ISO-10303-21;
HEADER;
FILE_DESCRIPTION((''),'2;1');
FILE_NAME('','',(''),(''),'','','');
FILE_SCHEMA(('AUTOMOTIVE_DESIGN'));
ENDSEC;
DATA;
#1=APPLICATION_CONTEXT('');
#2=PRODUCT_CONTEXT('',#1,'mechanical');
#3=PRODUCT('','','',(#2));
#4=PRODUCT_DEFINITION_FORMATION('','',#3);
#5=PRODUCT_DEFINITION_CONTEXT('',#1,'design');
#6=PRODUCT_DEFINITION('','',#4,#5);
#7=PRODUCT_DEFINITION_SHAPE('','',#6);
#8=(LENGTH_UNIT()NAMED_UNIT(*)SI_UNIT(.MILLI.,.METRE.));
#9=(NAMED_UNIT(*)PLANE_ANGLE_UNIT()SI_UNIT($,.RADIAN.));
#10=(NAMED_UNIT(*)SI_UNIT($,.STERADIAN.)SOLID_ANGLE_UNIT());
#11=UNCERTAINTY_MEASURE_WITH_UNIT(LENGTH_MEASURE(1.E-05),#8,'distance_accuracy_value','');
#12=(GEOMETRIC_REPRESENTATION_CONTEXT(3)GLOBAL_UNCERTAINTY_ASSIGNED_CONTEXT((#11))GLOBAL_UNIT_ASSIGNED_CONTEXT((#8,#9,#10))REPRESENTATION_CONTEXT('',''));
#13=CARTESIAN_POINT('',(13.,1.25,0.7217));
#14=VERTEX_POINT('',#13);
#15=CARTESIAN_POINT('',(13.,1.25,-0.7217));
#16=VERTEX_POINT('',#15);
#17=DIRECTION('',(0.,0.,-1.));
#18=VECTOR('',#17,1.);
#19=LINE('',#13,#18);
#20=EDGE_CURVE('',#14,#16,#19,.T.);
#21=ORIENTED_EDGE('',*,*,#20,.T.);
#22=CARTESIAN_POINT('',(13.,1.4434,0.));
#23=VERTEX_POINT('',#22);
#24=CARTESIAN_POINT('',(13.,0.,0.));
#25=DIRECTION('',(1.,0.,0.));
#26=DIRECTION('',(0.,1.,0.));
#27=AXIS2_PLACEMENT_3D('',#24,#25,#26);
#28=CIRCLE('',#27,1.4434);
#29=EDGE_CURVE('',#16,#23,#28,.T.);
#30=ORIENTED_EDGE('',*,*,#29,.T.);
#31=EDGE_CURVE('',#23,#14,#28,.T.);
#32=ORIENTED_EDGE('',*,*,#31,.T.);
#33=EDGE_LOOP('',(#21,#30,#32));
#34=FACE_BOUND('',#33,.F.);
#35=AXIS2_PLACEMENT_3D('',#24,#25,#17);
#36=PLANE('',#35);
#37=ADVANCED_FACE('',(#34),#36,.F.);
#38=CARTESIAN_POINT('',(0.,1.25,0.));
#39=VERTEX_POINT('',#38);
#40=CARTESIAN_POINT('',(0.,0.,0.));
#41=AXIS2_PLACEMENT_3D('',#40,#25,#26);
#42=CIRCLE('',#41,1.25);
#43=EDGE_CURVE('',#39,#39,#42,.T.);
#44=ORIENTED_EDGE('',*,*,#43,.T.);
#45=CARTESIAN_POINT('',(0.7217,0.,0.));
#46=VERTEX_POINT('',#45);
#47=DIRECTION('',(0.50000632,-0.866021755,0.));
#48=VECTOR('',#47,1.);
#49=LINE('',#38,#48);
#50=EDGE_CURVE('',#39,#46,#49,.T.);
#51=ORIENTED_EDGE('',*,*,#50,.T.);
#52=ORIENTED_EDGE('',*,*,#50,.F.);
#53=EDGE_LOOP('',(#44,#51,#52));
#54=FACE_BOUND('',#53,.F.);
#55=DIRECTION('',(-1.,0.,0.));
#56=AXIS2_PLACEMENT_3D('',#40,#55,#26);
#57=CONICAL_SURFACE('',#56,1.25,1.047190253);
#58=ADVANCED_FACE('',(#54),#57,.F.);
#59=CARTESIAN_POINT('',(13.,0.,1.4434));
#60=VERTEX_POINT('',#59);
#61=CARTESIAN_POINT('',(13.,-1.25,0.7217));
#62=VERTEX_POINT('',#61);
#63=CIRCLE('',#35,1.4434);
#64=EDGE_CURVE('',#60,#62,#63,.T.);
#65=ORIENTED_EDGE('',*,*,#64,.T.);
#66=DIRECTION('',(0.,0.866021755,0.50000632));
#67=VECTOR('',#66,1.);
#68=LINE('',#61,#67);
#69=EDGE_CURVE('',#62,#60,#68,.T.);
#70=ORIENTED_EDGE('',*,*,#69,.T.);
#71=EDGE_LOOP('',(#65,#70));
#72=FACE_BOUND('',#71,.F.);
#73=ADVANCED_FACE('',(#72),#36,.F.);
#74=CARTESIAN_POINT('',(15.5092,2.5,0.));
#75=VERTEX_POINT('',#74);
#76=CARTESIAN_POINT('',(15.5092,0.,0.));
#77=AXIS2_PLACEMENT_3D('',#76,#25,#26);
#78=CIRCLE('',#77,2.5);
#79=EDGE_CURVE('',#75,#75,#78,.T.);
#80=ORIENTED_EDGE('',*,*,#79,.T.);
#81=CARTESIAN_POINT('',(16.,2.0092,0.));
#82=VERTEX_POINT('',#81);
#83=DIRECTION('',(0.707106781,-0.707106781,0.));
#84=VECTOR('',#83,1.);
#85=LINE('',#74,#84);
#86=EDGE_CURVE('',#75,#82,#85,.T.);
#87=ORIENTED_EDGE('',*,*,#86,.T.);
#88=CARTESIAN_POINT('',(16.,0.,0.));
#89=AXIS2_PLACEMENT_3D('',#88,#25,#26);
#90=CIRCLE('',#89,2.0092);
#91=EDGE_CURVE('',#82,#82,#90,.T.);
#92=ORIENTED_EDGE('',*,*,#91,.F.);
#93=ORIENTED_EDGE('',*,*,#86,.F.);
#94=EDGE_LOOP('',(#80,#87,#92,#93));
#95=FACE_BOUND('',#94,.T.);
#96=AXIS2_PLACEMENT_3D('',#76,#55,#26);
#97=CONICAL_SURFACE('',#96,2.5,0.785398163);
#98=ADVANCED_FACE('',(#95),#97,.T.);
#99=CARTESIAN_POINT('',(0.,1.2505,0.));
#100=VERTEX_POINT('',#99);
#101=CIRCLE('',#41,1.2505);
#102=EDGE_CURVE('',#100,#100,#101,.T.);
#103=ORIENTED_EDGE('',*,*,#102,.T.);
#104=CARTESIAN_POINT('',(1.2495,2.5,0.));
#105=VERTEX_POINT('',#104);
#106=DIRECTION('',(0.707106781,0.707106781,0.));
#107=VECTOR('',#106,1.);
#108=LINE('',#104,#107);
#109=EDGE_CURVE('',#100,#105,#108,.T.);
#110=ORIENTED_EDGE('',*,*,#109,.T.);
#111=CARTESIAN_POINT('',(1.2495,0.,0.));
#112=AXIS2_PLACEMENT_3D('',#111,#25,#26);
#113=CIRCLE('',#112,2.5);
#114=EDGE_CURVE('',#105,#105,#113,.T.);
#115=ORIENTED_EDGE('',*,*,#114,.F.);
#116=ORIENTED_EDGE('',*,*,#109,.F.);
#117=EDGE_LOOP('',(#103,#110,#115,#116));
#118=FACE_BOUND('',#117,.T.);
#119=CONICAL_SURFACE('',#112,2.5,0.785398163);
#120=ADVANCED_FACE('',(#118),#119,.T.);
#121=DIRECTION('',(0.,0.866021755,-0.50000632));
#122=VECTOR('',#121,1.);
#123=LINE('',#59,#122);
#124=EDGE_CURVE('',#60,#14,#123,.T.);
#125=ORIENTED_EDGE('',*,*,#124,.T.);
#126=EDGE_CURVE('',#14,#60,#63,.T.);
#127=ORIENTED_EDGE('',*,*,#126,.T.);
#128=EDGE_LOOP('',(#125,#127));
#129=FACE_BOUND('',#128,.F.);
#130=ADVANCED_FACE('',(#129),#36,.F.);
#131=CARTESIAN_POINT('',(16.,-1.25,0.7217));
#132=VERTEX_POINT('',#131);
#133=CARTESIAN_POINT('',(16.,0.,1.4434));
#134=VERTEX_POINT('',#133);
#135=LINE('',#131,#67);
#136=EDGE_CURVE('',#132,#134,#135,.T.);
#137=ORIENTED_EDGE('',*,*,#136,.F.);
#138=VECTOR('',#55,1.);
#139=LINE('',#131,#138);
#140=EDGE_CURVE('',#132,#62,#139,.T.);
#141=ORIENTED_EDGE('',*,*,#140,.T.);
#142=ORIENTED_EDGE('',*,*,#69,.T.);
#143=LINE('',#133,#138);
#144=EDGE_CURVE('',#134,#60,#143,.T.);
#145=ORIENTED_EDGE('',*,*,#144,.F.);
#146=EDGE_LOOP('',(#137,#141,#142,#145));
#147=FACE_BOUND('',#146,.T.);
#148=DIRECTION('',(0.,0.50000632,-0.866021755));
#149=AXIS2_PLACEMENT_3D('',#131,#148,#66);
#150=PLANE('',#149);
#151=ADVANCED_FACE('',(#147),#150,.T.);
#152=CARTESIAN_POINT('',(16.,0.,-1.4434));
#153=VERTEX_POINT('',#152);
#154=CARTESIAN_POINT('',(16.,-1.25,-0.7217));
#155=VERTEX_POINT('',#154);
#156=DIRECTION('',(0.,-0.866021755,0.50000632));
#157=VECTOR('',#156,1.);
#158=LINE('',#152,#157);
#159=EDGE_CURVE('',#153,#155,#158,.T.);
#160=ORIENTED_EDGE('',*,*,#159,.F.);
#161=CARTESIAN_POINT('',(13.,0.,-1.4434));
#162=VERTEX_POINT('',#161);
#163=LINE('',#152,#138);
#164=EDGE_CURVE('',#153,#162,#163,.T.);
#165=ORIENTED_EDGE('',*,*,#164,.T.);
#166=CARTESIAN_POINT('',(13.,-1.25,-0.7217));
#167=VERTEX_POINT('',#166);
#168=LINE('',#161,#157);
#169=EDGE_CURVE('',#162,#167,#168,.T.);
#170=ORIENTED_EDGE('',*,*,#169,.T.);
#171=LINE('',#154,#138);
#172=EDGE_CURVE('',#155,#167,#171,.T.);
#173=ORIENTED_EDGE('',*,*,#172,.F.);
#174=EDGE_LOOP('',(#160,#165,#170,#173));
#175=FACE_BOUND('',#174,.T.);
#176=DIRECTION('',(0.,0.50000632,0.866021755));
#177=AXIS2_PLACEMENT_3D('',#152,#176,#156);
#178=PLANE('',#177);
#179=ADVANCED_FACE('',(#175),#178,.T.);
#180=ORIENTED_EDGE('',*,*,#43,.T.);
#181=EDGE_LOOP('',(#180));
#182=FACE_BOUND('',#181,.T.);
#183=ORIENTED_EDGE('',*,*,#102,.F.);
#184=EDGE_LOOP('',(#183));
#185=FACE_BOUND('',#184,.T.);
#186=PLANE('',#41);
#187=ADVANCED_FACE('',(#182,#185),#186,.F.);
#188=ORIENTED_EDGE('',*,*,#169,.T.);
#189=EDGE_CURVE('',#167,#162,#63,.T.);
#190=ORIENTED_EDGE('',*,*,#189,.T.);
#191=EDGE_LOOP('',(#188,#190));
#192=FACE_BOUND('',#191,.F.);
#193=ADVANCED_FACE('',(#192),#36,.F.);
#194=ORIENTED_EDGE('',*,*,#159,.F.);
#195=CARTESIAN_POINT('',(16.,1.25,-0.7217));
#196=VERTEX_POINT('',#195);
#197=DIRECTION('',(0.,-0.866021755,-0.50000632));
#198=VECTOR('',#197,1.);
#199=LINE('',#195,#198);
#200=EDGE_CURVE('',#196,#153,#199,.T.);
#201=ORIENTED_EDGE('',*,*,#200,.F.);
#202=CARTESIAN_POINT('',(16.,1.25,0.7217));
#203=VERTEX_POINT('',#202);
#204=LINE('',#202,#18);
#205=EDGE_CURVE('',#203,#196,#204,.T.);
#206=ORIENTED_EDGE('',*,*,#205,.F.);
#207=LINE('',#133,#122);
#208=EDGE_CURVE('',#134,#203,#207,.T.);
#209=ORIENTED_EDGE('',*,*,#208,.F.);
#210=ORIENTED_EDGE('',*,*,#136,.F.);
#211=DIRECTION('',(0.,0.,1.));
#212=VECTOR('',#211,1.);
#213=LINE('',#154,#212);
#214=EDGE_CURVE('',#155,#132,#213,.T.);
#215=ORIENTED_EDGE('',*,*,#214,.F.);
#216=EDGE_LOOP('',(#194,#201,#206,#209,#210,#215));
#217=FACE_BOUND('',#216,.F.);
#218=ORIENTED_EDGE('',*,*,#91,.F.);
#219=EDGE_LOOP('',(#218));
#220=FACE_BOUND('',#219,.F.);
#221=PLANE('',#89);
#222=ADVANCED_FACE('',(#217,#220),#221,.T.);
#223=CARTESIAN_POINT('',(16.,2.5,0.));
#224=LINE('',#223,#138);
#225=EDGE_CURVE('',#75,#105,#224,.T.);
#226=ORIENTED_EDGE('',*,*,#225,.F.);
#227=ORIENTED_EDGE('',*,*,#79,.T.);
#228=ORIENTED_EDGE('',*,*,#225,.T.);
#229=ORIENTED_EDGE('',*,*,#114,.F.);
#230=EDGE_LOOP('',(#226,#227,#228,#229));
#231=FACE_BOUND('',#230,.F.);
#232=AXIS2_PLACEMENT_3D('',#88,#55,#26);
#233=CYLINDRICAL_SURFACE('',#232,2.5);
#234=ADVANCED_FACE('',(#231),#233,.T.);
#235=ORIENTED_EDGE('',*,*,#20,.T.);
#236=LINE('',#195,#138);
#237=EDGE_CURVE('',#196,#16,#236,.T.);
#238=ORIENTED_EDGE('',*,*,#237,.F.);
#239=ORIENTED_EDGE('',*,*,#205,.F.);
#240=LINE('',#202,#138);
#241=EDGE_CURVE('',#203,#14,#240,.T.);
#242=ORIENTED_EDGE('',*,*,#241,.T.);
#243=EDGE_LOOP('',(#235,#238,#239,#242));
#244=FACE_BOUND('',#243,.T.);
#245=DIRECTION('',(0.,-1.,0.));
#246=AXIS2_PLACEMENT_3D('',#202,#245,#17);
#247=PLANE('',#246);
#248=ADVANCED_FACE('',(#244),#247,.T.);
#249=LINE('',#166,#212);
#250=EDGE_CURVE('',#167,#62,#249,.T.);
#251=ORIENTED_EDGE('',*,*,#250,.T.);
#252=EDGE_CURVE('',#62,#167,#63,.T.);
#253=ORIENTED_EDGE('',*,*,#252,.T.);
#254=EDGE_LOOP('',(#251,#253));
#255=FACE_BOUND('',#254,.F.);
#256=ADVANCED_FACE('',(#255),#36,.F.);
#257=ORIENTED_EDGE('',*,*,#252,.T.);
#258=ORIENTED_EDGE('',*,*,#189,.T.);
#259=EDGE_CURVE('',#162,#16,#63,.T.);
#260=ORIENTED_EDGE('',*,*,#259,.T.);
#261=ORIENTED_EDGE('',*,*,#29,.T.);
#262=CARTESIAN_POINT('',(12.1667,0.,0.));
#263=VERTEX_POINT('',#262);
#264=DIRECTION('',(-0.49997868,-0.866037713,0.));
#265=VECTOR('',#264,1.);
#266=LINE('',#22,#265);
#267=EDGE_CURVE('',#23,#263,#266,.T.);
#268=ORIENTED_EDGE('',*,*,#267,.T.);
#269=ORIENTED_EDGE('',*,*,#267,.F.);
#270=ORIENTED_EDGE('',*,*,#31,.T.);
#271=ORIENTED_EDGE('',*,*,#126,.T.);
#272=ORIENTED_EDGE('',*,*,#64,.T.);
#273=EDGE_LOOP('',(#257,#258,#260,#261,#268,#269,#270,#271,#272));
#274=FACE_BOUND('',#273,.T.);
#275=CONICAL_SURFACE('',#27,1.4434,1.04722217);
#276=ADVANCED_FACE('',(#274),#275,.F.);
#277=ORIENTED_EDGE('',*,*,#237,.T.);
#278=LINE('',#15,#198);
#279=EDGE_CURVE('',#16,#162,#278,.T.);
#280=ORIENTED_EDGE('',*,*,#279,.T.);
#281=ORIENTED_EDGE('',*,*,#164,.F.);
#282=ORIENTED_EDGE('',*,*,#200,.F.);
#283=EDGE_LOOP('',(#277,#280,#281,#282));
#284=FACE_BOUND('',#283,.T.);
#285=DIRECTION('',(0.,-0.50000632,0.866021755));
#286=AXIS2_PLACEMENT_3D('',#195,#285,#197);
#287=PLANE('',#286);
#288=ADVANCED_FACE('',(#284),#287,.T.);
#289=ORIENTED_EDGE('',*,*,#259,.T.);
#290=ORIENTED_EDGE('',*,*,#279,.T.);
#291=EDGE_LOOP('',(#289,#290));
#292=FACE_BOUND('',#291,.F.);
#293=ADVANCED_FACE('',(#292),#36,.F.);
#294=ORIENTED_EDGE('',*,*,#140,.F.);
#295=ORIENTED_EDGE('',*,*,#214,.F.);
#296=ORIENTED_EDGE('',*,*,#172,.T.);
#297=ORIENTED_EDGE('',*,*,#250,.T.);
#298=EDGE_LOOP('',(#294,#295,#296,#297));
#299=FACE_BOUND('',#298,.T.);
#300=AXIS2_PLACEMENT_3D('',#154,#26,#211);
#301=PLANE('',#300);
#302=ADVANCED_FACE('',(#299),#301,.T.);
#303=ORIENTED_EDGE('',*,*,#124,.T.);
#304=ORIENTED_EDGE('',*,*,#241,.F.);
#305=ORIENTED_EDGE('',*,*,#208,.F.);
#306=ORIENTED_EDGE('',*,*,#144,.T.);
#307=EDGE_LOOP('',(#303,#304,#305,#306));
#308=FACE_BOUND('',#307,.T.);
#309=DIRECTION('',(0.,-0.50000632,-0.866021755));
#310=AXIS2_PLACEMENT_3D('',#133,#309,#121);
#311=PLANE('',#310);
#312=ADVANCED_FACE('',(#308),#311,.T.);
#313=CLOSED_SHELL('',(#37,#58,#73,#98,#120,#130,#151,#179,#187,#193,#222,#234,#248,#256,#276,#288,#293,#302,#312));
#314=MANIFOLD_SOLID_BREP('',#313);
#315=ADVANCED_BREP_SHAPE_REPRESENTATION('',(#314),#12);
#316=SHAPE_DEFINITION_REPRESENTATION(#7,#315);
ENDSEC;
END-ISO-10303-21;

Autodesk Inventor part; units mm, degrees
ref_plane "YZ Plane" through (0, 0, 0) normal (1, 0, 0) x (0, 1, 0)
ref_plane "XZ Plane" through (0, 0, 0) normal (0, 1, 0) x (-1, 0, 0)
sketch "Skizze1" plane through (0, 0, 0) normal (0, 0, 1) x (1, 0, 0)
  line L0 (0.7217, 0) -> (12.1667, 0)
  line L1 (16, 1.4434) -> (16, 2.5)
  line L2 (16, 2.5) -> (0, 2.5)
  line L3 (16, 1.4434) -> (13, 1.4434)
  line L4 (13, 1.4434) -> (12.1667, 0)
  line L5 (0, 1.25) -> (0.7217, 0)
  line L6 (0, -0.5) -> (0, 3) projected
  line L7 (0, 1.25) -> (0, 2.5)
  point P0 (0, 0)
  dimension "d0" = 3
  dimension "d1" = 60
  dimension "d2" = 5
  dimension "d3" = 2.8868
  dimension "d4" = 16
  dimension "d5" = 60
  dimension "d7" = 2.5
revolve "Körper" add sketch "Skizze1" angle 360 about axis through (0.7217, 0, 0) along (1, 0, 0)
sketch "Skizze2" plane through (16, 0, 0) normal (1, 0, 0) x (0, 0, -1)
  circle A0 centre (0, 0) radius 1.4434 projected
  circle A1 centre (0, 0) radius 2.5 projected
  line L0 (1.4434, 0) -> (0.7217, -1.25)
  line L1 (0.7217, -1.25) -> (-0.7217, -1.25)
  line L2 (-0.7217, -1.25) -> (-1.4434, 0)
  line L3 (-1.4434, 0) -> (-0.7217, 1.25)
  line L4 (-0.7217, 1.25) -> (0.7217, 1.25)
  line L5 (0.7217, 1.25) -> (1.4434, 0)
extrude "Loch" add sketch "Skizze2" against normal blind 3 contours L5 A0 | A0 L0 | L4 A0 | A0 L1 | L3 A0 | A0 L2
chamfer "Fase1" distance 1.25 angle 45 1 edges at (0, -2.5, 0) measured on face at (0, 2.0591, -0.1994)
thread "Gewinde" size "M5x0.8" class "6g" standard "ISO Metric profile" length 16
chamfer "Fase2" distance 0.4908 angle 45 1 edges at (16, -2.5, 0) measured on face at (11.0832, 2.4676, -0.401)
ref_plane "Work Plane1" through (8, 0, 0) normal (0, -0.5, -0.866) x (1, 0, 0)
equation "\"d0\" = INTI"
equation "\"d2\" = NND"
equation "\"d3\" = 1.1547 * SW"
equation "\"d4\" = NLG"
equation "\"d5\" = 0.5 * ANG"
equation "\"d7\" = SPD"
equation "\"d8\" = INTI"
equation "\"d10\" = -0.5 * SPD + 0.5 * NND"
equation "\"d11\" = FAWI"
equation "\"d33\" = -0.5 * SPD + 0.5 * NND"
equation "\"d14\" = NLG"
equation "\"d12\" = -0.5 * GD1 + 0.5 * NND"
equation "\"d13\" = FAWI"
equation "\"d34\" = -0.5 * GD1 + 0.5 * NND"
equation "\"NND\" = 5"
equation "\"NLG\" = 16"
equation "\"INTI\" = 3"
equation "\"FAWI\" = 45deg"
equation "\"SW\" = 2.5"
equation "\"GD1\" = THREADDIA - 1.2269 * PTC"
equation "\"ANG\" = 120deg"
equation "\"FAWI1\" = 45deg"
equation "\"SPD\" = 2.5"
equation "\"GUL\" = 0.61345 * PTC"
equation "\"TOA\" = 30deg"
equation "\"THREADDIA\" = 5"
equation "\"PTC\" = 0.8"
equation "\"GAL\" = 0.61345 * PTC"
equation "\"E0\" = 1.155 * SW"
properties part number "ISO 4029 - M5 x 16" material "Edelstahl, 440C"
